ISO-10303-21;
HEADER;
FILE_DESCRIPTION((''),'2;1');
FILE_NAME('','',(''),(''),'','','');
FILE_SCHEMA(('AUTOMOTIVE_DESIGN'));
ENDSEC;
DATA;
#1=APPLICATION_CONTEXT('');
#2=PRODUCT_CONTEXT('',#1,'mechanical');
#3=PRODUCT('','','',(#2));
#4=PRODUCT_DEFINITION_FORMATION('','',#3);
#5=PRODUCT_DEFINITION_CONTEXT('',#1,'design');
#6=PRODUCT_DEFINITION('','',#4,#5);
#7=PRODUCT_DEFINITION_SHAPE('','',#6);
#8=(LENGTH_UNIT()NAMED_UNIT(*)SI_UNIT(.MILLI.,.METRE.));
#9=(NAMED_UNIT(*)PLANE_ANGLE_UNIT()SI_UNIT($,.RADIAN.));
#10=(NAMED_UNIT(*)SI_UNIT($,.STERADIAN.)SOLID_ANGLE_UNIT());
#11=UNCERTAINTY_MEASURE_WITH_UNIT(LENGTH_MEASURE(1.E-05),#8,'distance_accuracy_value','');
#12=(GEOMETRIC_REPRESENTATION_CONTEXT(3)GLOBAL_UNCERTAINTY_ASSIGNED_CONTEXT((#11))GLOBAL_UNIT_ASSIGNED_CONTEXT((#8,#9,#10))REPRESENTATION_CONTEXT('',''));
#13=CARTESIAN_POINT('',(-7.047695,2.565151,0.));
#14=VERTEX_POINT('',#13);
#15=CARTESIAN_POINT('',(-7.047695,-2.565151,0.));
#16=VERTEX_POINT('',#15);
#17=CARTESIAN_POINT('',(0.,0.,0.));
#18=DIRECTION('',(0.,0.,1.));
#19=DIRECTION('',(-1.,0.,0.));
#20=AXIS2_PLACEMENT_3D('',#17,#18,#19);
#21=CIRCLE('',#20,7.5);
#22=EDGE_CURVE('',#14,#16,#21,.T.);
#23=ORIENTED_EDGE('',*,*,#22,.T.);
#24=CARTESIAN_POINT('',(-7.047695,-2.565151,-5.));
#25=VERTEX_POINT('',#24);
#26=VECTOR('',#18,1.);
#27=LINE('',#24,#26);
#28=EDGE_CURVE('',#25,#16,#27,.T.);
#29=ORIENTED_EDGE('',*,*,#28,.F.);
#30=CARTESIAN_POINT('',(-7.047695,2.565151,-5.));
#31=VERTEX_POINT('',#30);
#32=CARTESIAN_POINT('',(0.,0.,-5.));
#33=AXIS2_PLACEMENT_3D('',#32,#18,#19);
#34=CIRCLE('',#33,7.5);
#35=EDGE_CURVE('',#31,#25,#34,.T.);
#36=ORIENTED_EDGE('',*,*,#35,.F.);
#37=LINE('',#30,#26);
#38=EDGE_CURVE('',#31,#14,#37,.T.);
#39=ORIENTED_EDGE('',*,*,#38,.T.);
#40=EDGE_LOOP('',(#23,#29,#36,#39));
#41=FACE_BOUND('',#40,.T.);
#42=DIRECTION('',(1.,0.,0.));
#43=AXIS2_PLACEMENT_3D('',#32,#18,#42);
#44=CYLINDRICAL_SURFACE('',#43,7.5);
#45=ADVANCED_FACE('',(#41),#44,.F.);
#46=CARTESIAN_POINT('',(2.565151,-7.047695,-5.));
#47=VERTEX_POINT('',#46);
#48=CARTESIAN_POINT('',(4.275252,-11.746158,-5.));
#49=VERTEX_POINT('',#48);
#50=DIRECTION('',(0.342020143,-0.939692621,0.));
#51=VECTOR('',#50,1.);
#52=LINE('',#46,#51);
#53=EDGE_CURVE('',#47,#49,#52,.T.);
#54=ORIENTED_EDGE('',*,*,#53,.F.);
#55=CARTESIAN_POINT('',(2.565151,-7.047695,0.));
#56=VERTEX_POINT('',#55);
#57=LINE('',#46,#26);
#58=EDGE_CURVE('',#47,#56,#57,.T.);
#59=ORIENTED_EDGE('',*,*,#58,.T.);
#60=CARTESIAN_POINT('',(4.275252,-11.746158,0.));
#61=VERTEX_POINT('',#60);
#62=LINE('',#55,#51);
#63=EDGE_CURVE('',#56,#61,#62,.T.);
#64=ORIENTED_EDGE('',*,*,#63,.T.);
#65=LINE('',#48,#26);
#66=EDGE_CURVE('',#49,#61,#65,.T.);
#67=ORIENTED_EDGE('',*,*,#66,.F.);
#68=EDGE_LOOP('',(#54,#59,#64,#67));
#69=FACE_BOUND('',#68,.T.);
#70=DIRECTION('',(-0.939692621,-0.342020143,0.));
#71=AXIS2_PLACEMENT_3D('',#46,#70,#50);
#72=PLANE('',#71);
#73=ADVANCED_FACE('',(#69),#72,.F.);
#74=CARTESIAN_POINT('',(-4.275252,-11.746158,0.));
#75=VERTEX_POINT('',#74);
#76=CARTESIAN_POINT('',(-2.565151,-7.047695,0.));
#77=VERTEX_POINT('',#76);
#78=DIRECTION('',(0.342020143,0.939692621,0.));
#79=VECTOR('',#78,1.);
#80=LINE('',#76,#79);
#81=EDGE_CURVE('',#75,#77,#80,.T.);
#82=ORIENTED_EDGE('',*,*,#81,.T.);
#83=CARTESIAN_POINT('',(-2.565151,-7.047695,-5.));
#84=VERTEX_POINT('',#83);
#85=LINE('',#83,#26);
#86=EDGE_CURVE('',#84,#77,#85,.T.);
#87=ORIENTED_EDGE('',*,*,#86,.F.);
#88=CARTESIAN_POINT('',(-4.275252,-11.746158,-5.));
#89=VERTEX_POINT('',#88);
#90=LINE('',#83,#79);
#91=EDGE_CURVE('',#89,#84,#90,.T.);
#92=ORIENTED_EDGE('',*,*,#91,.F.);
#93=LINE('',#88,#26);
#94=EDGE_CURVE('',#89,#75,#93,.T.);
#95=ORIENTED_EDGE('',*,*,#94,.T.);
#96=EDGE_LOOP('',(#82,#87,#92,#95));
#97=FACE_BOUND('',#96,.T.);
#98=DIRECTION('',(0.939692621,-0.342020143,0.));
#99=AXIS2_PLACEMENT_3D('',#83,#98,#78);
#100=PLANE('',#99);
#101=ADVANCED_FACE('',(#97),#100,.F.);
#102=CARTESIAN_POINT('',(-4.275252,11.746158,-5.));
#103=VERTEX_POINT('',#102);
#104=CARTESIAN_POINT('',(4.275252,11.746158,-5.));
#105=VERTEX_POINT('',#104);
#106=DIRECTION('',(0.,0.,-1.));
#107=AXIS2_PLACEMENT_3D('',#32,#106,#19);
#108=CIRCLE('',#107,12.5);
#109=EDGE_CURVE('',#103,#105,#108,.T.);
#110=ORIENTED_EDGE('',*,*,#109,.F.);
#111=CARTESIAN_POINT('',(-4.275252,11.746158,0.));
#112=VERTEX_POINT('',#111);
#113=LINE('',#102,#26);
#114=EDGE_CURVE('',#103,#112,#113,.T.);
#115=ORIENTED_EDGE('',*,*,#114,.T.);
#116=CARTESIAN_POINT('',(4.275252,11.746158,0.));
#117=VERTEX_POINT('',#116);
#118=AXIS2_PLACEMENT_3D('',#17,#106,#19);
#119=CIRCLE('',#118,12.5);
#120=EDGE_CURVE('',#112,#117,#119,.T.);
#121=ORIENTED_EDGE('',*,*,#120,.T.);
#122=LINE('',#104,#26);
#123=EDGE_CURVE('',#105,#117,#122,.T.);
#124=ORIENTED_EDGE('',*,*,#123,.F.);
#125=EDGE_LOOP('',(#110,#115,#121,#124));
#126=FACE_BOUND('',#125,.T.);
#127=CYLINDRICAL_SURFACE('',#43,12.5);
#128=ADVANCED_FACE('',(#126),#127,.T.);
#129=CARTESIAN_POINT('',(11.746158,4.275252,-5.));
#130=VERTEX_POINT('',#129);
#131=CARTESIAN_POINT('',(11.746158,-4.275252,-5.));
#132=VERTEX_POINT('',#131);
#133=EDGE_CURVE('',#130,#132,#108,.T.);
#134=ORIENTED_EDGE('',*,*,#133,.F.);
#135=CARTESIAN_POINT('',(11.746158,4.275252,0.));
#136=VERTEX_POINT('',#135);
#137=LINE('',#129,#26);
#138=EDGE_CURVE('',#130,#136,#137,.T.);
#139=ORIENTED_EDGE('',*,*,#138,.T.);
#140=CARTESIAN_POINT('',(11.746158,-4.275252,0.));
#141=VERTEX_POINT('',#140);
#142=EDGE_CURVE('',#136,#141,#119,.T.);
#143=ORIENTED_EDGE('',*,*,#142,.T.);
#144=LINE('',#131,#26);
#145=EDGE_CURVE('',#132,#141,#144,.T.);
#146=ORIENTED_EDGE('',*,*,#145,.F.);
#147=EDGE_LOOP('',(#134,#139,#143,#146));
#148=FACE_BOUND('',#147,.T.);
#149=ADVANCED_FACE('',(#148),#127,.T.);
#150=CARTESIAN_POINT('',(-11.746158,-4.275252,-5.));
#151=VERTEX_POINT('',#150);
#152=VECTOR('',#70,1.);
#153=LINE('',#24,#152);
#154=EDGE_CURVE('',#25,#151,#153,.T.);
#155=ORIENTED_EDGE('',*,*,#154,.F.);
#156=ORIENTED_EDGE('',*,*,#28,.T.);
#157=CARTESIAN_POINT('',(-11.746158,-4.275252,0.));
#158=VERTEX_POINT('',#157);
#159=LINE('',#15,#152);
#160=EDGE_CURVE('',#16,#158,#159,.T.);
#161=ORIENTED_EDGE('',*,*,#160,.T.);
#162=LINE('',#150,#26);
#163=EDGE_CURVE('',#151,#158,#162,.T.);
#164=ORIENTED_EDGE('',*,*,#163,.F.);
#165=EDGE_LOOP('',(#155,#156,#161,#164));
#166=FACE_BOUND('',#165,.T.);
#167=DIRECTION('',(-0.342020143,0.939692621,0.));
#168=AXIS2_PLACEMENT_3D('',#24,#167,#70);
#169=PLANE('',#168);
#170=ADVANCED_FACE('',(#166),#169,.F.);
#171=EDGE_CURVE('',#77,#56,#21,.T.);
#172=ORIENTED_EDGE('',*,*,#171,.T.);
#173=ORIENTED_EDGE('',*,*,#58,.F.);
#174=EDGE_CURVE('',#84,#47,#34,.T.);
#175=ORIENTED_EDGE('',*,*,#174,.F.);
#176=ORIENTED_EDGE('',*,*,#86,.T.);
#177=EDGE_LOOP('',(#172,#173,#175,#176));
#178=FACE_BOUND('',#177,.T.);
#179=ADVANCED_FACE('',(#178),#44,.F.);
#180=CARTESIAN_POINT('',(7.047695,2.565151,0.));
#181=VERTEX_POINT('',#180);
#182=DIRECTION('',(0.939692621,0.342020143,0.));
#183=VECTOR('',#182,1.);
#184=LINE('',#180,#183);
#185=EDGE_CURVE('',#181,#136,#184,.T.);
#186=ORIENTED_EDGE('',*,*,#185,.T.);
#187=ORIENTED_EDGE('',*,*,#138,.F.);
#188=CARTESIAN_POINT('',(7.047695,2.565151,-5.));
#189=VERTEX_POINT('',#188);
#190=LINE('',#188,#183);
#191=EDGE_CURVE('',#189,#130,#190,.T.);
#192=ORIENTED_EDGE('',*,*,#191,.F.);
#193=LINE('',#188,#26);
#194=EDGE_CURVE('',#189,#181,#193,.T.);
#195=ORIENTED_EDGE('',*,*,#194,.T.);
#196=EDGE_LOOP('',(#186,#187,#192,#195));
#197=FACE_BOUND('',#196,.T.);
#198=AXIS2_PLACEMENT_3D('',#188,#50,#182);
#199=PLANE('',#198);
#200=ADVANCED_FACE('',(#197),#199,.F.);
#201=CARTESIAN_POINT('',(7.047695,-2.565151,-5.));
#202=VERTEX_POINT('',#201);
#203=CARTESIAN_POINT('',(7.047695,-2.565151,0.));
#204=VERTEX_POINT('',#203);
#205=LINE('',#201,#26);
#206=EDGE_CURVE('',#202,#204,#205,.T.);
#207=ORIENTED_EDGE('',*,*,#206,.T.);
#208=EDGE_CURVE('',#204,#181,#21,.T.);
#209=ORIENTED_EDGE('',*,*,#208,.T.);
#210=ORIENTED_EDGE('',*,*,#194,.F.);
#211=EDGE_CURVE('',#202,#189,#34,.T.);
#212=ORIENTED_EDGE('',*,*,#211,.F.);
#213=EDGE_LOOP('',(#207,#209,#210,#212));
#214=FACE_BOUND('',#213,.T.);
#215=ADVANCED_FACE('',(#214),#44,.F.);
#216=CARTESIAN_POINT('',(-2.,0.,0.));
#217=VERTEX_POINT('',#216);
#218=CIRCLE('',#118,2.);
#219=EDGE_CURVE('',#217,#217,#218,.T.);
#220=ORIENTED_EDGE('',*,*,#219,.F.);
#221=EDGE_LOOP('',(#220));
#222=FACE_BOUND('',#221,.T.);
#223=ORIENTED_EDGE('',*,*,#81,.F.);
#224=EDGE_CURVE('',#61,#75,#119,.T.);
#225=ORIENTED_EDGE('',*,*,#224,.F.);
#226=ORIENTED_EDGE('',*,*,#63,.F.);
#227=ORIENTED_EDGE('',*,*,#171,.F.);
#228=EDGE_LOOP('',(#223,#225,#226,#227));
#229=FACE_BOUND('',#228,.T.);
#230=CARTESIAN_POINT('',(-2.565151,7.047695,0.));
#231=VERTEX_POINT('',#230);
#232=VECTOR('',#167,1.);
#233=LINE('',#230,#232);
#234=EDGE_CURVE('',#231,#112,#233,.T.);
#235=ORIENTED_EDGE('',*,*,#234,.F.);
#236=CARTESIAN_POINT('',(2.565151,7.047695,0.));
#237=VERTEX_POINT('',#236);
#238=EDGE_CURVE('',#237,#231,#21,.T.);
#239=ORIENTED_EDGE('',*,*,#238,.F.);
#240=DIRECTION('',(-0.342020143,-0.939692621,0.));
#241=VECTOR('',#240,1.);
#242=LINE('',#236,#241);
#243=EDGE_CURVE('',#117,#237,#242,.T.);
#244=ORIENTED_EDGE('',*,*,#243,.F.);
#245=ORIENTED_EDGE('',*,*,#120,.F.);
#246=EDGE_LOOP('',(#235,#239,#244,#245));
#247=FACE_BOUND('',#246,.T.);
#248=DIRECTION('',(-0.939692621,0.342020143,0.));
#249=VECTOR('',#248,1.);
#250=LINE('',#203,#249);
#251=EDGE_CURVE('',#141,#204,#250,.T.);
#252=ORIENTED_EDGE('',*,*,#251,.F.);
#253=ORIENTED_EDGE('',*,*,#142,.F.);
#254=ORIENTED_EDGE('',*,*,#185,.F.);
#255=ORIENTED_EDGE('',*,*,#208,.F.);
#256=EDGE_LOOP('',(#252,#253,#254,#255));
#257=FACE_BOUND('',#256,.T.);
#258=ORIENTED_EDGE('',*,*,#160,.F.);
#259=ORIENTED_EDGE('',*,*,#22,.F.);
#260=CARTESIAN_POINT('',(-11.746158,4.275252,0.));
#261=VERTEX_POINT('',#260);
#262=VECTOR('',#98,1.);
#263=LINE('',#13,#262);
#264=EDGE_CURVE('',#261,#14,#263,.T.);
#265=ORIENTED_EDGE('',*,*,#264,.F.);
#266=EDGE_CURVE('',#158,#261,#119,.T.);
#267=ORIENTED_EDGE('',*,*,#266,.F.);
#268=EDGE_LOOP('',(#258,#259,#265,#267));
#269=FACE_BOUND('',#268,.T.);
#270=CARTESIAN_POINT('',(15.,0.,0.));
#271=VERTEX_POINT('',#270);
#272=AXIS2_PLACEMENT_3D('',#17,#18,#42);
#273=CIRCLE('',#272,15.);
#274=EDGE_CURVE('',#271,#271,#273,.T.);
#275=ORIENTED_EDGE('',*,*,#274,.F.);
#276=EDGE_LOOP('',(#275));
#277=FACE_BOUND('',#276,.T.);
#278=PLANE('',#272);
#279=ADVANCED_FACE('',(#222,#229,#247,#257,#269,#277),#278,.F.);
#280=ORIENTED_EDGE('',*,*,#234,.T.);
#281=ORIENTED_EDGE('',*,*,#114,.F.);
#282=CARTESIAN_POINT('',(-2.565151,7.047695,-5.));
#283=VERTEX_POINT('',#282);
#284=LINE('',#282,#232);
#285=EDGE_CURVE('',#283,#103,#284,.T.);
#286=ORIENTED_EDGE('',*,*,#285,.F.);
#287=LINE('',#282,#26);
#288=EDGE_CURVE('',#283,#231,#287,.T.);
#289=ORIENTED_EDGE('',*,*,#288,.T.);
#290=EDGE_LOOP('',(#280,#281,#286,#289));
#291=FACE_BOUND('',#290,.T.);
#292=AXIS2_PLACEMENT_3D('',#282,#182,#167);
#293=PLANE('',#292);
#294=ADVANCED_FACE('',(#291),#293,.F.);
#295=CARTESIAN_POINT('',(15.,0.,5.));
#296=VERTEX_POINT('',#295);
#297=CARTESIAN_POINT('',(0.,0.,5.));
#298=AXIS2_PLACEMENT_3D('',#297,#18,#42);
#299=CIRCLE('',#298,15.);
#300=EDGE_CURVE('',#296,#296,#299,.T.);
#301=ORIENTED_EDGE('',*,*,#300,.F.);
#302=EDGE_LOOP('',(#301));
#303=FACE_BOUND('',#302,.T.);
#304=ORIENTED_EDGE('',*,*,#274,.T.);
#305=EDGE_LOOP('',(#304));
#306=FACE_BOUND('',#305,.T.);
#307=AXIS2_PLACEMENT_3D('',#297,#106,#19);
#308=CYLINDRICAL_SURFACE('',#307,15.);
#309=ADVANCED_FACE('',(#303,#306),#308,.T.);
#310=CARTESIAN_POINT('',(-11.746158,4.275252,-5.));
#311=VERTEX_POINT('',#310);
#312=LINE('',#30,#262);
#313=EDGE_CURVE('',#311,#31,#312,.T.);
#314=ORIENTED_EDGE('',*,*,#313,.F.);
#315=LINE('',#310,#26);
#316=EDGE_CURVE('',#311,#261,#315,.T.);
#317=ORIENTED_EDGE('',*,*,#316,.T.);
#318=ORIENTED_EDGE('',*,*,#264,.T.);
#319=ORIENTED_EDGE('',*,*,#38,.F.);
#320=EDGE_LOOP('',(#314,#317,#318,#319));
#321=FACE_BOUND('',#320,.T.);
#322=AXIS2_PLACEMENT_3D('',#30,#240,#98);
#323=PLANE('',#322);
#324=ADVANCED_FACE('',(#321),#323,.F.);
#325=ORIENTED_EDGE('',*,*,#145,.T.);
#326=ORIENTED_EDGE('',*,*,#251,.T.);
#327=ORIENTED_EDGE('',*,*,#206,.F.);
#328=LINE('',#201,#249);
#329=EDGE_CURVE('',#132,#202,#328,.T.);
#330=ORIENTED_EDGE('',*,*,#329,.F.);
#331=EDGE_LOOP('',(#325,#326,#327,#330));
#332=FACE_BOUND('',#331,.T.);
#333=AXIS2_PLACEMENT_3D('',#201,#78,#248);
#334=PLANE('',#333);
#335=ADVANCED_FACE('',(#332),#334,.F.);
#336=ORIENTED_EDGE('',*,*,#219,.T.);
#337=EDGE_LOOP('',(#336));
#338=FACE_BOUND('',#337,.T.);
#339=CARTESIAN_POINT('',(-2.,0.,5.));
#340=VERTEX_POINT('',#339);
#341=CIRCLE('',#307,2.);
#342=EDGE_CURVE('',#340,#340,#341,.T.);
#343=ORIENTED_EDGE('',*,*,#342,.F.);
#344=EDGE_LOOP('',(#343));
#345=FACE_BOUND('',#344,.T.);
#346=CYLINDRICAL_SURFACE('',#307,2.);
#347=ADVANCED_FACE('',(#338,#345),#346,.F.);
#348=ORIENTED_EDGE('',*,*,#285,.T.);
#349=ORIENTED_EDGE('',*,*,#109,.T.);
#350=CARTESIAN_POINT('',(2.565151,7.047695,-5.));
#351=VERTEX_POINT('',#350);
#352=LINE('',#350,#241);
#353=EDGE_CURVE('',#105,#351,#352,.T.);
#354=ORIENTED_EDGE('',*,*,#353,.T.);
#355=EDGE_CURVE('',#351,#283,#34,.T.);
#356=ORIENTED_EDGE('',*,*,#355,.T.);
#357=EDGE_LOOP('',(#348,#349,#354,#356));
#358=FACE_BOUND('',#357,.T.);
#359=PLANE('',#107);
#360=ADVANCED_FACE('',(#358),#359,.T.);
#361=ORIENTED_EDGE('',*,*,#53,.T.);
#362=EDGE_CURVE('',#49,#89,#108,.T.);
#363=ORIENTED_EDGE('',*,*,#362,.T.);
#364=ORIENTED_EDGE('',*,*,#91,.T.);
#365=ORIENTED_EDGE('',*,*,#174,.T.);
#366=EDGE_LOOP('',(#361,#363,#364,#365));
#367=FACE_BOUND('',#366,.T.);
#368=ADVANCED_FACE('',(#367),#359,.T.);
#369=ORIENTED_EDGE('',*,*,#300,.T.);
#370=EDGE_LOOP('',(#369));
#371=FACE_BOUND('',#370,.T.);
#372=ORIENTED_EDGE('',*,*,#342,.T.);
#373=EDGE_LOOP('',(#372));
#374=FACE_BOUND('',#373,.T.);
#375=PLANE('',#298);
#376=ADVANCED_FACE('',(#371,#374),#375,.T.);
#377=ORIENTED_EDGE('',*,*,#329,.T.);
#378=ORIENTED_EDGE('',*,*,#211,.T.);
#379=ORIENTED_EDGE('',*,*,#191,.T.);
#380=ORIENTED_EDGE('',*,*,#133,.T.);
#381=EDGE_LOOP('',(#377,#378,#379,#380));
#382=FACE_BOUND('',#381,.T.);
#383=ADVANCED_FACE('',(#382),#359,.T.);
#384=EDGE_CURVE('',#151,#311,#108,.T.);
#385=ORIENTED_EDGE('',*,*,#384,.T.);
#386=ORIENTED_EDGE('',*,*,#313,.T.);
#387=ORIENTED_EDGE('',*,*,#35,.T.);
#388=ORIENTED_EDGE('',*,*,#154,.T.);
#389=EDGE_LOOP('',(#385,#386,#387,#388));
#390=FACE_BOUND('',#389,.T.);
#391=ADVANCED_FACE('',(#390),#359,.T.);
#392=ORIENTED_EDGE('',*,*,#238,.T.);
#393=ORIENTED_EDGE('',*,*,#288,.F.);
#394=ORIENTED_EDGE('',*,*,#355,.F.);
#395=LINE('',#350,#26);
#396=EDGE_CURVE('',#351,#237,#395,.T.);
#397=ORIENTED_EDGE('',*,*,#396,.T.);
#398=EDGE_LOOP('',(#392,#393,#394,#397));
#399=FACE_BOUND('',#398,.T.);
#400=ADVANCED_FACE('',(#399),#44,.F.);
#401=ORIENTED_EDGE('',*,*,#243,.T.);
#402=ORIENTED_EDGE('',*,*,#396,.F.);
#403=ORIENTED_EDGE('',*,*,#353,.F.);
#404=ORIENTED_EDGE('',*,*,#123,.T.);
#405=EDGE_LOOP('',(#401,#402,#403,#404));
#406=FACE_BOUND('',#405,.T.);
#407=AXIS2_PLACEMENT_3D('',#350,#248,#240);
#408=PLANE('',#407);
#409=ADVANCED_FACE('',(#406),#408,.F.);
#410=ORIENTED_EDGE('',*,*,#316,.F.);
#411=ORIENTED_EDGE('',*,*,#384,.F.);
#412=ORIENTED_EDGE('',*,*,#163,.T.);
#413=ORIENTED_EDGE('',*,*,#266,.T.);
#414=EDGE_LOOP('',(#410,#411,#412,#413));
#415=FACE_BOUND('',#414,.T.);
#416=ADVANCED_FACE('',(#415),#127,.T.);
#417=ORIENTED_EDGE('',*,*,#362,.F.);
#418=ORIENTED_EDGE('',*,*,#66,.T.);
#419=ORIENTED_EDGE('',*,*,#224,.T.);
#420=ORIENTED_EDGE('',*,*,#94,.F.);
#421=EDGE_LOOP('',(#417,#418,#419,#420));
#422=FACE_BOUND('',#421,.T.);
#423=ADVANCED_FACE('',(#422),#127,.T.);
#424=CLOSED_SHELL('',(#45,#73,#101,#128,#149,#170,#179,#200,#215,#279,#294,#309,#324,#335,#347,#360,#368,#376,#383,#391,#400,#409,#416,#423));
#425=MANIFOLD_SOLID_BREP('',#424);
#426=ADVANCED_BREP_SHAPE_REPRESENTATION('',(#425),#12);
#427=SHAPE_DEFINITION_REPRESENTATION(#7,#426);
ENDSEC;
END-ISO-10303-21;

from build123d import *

# Parameters (mm, degrees)
SKETCH_1_R          = 15
EXTRUDE_1_DEPTH     = 5
EXTRUDE_2_DEPTH     = 5
SKETCH_3_R          = 2
CUT_EXTRUDE_1_DEPTH = 5


with BuildPart() as part:
    # 草图1 → 凸台-拉伸1 (new body)
    with BuildSketch(Plane.XY):
        Circle(SKETCH_1_R)
    extrude(amount=EXTRUDE_1_DEPTH)

    # 草图2 → 凸台-拉伸2 (add)
    with BuildSketch(Plane(origin=(0, 0, 0), x_dir=(-1, 0, 0), z_dir=(0, 0, -1))):
        with BuildLine():
            Line((-2.565151075, 7.047694656), (-4.275251792, 11.74615776))
            ThreePointArc((-4.275251792, 11.74615776), (0, 12.5), (4.275251792, 11.74615776))
            Line((4.275251792, 11.74615776), (2.565151075, 7.047694656))
            ThreePointArc((2.565151075, 7.047694656), (0, 7.5), (-2.565151075, 7.047694656))
        make_face()
        with BuildLine():
            Line((7.047694656, 2.565151075), (11.74615776, 4.275251792))
            ThreePointArc((11.74615776, 4.275251792), (12.5, 0), (11.74615776, -4.275251792))
            Line((11.74615776, -4.275251792), (7.047694656, -2.565151075))
            ThreePointArc((7.047694656, -2.565151075), (7.5, 0), (7.047694656, 2.565151075))
        make_face()
        with BuildLine():
            Line((2.565151075, -7.047694656), (4.275251792, -11.74615776))
            ThreePointArc((4.275251792, -11.74615776), (0, -12.5), (-4.275251792, -11.74615776))
            Line((-4.275251792, -11.74615776), (-2.565151075, -7.047694656))
            ThreePointArc((-2.565151075, -7.047694656), (0, -7.5), (2.565151075, -7.047694656))
        make_face()
        with BuildLine():
            Line((-7.047694656, -2.565151075), (-11.74615776, -4.275251792))
            ThreePointArc((-11.74615776, -4.275251792), (-12.5, 0), (-11.74615776, 4.275251792))
            Line((-11.74615776, 4.275251792), (-7.047694656, 2.565151075))
            ThreePointArc((-7.047694656, 2.565151075), (-7.5, 0), (-7.047694656, -2.565151075))
        make_face()
    extrude(amount=EXTRUDE_2_DEPTH)

    # 草图3 → 切除-拉伸1 (cut)
    with BuildSketch(Plane(origin=(0, 0, 0), x_dir=(-1, 0, 0), z_dir=(0, 0, -1))):
        Circle(SKETCH_3_R)
    extrude(amount=-CUT_EXTRUDE_1_DEPTH, mode=Mode.SUBTRACT)


solid = part.part
